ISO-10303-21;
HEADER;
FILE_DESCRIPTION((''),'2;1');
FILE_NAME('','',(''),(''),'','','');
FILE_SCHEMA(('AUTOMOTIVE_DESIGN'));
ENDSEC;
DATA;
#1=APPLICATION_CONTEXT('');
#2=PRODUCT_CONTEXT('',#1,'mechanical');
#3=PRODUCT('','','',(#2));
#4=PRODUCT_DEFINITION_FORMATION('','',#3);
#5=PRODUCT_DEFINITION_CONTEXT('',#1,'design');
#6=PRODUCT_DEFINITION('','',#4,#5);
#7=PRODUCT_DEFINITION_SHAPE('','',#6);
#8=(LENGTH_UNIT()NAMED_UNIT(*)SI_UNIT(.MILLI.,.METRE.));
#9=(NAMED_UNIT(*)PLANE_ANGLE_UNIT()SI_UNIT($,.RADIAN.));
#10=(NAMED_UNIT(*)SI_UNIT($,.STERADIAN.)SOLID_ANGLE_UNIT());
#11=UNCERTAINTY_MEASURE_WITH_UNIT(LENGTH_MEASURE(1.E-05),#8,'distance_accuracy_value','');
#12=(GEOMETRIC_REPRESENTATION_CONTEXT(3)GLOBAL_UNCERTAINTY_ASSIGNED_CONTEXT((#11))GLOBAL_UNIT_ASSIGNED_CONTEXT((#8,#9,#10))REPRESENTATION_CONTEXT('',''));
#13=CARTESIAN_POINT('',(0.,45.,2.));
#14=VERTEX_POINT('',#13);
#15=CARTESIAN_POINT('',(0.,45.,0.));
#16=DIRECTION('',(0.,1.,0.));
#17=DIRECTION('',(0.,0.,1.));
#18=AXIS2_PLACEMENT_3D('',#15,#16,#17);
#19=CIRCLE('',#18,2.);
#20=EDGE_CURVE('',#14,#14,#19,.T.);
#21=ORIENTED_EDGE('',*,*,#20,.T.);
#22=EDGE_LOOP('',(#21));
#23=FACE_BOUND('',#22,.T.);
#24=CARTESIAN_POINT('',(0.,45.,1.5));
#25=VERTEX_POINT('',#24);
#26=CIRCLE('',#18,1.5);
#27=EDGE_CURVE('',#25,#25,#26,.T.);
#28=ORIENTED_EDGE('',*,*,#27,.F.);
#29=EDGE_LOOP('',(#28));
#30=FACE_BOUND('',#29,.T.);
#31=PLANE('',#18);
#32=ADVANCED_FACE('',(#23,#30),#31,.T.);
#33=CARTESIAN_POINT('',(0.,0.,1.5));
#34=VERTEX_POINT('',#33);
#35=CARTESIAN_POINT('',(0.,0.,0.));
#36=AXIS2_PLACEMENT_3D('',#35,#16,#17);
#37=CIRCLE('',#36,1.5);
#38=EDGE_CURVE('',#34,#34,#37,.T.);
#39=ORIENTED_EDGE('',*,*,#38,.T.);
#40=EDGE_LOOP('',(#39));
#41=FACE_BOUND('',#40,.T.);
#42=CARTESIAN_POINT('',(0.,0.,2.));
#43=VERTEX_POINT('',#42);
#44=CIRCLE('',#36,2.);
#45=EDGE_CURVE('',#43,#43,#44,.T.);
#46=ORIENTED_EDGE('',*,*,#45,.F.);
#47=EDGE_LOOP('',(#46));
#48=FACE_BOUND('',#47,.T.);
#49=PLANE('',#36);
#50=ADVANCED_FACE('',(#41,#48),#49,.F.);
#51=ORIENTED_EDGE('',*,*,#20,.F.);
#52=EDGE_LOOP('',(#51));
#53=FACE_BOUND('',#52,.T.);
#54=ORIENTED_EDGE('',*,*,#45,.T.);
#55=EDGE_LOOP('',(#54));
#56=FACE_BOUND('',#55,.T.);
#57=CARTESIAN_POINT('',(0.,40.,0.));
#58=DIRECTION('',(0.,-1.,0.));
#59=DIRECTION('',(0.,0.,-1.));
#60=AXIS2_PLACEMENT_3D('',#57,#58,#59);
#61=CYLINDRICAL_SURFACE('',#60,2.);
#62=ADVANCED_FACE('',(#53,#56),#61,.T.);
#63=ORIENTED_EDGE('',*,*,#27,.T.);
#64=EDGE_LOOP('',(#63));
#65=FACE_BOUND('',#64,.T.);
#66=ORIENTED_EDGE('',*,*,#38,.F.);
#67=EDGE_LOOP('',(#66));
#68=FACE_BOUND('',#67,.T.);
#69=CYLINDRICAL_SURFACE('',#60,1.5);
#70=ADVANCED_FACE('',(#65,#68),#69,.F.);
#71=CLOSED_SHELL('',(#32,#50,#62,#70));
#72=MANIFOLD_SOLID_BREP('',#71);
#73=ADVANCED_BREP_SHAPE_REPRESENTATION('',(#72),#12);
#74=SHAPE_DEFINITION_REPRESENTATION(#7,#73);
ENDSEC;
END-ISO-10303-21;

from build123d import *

# Parameters (mm, degrees)
SKETCH_1_R      = 2
SKETCH_1_R_2    = 1.5
EXTRUDE_1_DEPTH = 40
SKETCH_2_R      = 2
SKETCH_2_R_2    = 1.5
EXTRUDE_3_DEPTH = 5


with BuildPart() as part:
    # 草图1 → 凸台-拉伸1 (new body)
    with BuildSketch(Plane(origin=(0, 0, 0), x_dir=(1, 0, 0), z_dir=(0, 1, 0))):
        with Locations(Location((0, 0, 0), (0, 0, 270))):
            Circle(SKETCH_1_R)
        with Locations(Location((0, 0, 0), (0, 0, 270))):
            Circle(SKETCH_1_R_2, mode=Mode.SUBTRACT)
    extrude(amount=EXTRUDE_1_DEPTH)

    # 草图2 → 凸台-拉伸3 (add)
    with BuildSketch(Plane(origin=(0, 40, 0), x_dir=(1, 0, 0), z_dir=(0, 1, 0))):
        with Locations(Location((0, 0, 0), (0, 0, 270))):
            Circle(SKETCH_2_R)
        with Locations(Location((0, 0, 0), (0, 0, 270))):
            Circle(SKETCH_2_R_2, mode=Mode.SUBTRACT)
    extrude(amount=EXTRUDE_3_DEPTH)


solid = part.part
